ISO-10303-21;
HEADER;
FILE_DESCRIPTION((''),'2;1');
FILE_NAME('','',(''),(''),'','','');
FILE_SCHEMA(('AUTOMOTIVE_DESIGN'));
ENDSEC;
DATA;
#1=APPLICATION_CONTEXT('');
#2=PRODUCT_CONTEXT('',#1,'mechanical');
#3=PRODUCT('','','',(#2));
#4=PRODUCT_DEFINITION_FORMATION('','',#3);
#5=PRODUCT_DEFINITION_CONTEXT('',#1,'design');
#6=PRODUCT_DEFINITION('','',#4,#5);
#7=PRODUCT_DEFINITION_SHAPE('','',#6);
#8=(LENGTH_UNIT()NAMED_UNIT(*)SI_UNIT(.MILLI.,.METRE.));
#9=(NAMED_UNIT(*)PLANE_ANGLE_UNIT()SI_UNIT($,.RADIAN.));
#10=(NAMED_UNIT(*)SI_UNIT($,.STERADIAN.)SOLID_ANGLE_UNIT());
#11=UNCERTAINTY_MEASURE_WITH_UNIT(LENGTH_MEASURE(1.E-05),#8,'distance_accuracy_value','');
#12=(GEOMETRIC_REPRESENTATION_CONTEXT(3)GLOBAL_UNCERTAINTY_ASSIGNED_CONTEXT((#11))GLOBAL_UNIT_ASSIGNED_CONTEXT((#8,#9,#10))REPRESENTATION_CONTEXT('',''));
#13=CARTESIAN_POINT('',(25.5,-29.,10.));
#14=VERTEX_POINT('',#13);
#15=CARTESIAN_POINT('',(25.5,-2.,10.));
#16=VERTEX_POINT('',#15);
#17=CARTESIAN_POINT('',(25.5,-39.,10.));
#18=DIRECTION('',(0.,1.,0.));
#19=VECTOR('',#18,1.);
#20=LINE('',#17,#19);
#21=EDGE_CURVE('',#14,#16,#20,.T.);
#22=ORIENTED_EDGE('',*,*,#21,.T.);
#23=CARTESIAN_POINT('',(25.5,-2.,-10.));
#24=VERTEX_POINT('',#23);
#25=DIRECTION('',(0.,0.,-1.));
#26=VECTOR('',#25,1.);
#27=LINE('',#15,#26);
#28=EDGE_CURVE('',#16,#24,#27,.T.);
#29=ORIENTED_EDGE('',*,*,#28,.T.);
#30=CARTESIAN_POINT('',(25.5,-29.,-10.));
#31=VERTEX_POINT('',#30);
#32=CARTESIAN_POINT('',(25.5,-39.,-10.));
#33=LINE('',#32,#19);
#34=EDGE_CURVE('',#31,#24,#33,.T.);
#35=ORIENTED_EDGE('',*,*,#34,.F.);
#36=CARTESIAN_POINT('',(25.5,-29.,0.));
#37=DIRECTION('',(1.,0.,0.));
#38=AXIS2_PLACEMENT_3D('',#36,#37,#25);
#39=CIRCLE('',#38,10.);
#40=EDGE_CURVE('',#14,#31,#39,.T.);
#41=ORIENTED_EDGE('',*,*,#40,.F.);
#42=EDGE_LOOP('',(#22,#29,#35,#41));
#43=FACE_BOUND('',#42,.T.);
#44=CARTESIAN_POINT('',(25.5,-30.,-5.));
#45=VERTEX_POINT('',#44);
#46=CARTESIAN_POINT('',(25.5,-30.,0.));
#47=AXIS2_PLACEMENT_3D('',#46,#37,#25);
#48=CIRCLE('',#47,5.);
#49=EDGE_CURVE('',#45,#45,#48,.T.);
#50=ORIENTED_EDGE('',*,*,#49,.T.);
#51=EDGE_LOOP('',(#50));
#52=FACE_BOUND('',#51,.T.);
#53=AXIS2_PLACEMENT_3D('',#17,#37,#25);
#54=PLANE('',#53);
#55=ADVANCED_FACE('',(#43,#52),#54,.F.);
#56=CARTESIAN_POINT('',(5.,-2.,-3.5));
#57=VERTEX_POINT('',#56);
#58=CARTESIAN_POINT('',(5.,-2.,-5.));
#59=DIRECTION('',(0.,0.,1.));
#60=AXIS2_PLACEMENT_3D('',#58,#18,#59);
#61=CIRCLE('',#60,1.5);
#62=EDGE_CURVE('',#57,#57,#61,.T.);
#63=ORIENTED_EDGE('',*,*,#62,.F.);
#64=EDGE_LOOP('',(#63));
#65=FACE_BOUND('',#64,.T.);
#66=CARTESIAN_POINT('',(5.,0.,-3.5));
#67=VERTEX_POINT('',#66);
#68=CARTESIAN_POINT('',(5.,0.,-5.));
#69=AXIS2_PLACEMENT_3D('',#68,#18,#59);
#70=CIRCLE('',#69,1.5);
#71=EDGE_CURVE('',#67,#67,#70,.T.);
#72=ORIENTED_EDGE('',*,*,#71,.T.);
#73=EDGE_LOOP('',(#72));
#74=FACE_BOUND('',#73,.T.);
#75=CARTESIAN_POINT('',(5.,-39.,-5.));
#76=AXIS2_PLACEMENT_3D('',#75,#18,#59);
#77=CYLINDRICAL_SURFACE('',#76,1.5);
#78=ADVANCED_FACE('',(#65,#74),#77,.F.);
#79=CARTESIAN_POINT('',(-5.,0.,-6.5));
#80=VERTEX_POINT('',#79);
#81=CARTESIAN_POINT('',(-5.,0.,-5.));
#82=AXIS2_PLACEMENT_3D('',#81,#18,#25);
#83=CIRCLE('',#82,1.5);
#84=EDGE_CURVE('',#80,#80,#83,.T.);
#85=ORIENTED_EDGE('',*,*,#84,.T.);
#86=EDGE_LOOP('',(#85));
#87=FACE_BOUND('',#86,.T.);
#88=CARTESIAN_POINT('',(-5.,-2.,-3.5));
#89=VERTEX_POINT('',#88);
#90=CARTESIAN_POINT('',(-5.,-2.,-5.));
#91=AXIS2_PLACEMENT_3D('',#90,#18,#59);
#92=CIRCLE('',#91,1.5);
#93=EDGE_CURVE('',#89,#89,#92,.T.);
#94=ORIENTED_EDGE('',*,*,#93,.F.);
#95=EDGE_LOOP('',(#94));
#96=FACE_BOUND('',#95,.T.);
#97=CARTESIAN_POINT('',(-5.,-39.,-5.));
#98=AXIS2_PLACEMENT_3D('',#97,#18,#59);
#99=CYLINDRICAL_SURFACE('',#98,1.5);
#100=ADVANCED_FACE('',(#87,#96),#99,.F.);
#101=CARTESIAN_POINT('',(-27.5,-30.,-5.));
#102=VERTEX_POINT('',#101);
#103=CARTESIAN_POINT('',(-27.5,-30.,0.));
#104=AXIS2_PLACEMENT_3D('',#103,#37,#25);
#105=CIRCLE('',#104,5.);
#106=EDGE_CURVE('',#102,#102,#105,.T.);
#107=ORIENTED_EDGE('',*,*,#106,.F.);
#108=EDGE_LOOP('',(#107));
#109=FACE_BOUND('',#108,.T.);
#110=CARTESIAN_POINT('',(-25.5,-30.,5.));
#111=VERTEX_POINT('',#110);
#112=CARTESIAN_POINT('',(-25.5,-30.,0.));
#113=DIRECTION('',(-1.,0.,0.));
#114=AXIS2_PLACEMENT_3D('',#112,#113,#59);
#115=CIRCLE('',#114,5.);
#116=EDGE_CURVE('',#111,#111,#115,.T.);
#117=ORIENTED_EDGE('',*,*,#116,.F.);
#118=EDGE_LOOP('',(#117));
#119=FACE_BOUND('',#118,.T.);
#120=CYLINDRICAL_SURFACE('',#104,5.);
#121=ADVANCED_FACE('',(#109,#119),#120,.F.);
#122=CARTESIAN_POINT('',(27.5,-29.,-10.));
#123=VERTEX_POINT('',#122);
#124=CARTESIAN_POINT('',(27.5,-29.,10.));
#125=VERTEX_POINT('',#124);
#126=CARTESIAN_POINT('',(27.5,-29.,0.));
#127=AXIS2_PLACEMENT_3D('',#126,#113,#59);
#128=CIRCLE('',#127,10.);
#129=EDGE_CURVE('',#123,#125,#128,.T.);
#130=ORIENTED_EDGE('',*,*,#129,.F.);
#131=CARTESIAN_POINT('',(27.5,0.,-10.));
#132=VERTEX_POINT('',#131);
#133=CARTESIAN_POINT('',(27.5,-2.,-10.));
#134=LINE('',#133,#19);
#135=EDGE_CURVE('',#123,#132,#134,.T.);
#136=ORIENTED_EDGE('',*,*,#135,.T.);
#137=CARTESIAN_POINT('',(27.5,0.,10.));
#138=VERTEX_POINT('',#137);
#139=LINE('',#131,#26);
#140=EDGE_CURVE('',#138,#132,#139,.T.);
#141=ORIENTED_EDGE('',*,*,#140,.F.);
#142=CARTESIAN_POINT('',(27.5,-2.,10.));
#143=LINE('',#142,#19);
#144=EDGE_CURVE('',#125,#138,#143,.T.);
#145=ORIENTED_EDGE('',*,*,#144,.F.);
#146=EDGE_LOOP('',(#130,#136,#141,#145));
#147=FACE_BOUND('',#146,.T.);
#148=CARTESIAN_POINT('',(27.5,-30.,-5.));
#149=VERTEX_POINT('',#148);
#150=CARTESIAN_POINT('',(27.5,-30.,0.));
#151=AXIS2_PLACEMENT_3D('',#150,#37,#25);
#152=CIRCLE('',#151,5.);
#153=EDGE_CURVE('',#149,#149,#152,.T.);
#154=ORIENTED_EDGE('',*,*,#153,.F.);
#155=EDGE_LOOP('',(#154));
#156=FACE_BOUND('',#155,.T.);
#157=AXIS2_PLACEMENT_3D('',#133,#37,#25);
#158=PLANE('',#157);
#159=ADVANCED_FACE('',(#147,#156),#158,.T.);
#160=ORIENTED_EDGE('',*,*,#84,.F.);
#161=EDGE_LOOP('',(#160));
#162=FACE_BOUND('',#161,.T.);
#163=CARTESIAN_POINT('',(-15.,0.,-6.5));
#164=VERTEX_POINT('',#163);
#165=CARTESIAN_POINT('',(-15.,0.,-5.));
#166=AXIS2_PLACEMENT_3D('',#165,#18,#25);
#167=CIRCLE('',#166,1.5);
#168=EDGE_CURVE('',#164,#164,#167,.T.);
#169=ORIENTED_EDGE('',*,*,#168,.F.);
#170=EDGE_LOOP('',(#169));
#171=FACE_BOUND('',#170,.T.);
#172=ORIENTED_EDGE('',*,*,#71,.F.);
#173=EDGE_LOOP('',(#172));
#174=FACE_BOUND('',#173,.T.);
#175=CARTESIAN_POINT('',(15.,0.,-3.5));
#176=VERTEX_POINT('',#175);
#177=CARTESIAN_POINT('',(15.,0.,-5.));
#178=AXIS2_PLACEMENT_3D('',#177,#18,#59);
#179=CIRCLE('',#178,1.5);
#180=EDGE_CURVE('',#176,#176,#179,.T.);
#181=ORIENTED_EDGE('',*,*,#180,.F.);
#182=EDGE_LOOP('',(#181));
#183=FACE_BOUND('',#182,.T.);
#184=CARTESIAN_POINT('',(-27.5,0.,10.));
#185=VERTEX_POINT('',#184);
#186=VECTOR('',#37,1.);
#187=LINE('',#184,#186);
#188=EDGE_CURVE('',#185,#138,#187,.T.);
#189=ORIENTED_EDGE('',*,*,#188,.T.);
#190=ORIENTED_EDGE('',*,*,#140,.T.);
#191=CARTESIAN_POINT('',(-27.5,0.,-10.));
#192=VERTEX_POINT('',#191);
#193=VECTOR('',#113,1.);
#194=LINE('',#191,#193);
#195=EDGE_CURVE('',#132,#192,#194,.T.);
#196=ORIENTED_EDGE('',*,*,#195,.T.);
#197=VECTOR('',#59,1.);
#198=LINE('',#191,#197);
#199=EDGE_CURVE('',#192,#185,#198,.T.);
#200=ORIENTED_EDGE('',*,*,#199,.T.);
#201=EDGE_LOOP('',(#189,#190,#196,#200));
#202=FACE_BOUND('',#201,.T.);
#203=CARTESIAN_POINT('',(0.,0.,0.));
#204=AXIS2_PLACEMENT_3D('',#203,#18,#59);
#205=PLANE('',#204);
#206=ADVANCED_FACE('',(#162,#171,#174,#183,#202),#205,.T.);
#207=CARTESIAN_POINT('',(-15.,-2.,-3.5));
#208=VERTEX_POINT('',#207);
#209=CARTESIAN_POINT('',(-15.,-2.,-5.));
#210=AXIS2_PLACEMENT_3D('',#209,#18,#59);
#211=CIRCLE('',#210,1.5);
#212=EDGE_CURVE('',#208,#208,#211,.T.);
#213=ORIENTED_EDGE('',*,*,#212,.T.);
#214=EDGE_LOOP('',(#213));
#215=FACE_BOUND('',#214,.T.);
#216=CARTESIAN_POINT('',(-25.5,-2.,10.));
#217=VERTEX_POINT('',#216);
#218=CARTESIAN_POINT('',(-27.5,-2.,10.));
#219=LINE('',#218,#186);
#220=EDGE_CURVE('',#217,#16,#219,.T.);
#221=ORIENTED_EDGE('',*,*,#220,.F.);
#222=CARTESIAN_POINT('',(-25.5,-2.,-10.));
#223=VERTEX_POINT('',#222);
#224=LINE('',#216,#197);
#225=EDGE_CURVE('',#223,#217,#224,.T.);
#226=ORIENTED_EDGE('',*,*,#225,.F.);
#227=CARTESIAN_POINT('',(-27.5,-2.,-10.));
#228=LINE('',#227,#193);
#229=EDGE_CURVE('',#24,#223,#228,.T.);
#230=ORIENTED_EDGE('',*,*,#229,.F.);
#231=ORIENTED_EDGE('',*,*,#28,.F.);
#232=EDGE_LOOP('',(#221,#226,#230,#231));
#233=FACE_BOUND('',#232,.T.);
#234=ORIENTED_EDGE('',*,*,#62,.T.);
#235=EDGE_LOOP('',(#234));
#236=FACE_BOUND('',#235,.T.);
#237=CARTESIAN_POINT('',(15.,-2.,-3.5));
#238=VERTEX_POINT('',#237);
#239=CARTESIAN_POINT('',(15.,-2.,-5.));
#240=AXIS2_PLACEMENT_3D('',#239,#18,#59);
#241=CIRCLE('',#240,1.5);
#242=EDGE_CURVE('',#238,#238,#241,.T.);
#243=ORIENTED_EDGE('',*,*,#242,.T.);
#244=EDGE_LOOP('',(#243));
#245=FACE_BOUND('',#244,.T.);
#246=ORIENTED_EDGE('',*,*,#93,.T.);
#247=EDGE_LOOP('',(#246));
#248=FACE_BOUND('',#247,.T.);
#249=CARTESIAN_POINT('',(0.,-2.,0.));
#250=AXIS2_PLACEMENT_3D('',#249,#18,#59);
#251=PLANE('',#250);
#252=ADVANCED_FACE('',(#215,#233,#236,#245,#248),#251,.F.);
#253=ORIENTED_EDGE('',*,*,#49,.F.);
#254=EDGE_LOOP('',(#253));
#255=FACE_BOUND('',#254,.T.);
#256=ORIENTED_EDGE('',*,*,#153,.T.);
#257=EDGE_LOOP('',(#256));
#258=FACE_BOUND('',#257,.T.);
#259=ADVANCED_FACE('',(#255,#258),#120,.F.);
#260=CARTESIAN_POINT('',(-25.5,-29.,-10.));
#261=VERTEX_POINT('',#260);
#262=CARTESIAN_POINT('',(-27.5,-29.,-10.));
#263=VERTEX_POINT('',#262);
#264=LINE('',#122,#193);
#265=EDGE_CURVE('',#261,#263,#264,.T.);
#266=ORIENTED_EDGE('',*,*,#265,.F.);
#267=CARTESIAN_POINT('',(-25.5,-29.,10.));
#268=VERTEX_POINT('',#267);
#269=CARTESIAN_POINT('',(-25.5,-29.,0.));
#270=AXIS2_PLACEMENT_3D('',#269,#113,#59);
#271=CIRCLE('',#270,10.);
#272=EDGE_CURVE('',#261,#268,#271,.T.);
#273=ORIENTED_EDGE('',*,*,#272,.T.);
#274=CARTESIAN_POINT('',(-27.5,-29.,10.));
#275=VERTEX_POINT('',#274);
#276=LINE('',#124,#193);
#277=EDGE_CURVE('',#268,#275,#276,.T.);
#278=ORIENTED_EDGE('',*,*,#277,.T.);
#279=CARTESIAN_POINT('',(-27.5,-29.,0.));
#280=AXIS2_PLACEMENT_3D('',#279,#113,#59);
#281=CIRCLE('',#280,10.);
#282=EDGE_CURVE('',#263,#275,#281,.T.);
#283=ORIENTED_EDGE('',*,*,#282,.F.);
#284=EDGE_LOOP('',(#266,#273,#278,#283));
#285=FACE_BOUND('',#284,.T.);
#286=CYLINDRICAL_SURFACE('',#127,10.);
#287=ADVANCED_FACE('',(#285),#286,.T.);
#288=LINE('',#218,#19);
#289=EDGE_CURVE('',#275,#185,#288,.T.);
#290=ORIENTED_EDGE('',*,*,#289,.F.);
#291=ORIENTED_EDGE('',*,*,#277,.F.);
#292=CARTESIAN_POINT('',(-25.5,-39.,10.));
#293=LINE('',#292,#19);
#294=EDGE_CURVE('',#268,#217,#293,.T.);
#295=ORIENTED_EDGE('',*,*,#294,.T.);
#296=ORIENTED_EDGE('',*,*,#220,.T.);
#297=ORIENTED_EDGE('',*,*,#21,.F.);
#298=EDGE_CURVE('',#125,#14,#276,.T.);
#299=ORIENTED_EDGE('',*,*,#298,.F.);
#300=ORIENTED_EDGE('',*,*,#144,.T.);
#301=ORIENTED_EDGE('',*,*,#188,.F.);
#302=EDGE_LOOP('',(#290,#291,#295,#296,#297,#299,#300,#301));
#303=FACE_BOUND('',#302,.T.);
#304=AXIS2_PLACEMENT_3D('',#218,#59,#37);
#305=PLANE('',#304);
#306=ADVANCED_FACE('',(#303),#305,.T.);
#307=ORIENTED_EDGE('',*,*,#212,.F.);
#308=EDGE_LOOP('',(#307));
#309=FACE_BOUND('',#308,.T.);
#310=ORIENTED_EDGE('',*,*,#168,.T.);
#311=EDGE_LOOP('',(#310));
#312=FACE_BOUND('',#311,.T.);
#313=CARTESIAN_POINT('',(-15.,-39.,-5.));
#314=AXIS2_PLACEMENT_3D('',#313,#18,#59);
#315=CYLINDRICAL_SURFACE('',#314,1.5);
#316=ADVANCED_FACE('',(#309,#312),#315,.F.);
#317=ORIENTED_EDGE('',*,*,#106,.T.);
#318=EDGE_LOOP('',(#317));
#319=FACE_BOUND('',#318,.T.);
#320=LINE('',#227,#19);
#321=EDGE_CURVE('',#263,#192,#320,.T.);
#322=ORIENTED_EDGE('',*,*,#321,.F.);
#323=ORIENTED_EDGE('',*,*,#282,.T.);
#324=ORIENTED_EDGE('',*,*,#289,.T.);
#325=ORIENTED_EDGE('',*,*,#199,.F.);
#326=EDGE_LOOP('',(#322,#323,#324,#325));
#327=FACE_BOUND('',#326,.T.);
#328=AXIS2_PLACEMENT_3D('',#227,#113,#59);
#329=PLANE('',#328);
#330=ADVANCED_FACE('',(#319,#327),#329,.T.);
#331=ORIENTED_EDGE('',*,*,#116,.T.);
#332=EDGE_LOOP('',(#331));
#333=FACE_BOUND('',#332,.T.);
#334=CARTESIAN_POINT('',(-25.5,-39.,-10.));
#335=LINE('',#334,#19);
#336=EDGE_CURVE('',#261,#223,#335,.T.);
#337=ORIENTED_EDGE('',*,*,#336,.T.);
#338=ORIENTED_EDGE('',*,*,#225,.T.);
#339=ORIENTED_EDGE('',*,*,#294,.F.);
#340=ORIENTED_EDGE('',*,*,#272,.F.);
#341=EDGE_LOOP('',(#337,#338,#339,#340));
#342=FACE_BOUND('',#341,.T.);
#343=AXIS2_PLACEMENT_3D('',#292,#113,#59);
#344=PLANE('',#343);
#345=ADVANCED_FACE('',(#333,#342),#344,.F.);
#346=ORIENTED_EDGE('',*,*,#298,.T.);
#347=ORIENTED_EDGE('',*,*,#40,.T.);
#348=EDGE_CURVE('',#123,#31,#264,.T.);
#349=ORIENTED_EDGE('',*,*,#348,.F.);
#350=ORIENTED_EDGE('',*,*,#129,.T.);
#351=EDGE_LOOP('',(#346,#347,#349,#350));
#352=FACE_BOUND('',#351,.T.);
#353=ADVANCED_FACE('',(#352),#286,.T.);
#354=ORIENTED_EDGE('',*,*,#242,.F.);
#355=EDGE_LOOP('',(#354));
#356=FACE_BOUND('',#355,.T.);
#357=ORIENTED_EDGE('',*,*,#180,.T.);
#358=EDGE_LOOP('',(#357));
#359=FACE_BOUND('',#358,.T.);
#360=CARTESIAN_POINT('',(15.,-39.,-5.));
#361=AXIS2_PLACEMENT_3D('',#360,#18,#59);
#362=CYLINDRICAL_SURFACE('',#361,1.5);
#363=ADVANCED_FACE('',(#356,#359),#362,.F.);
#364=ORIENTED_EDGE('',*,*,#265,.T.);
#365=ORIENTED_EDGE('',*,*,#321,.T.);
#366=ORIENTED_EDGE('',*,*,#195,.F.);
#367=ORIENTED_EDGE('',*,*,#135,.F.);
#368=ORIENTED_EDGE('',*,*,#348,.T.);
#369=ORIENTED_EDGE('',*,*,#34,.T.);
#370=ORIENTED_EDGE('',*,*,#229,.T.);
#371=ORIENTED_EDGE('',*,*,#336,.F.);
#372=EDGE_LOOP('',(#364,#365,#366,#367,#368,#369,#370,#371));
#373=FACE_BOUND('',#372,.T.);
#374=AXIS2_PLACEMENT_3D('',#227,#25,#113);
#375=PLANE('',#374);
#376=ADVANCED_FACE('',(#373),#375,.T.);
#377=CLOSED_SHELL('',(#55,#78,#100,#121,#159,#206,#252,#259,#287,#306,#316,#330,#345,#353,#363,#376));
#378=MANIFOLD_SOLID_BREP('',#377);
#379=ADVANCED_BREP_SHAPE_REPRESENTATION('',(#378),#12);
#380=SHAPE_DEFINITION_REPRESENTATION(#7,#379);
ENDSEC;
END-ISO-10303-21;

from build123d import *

# Parameters (mm, degrees)
SKETCH1_W           = 55
SKETCH1_H           = 20
BOSS_EXTRUDE1_DEPTH = 2
SKETCH2_W           = 2
SKETCH2_H           = 20
BOSS_EXTRUDE2_DEPTH = 37
SKETCH3_R           = 5
CUT_EXTRUDE1_DEPTH  = 56
CUT_EXTRUDE2_DEPTH  = 56
SKETCH5_R           = 1.5
CUT_EXTRUDE3_DEPTH  = 40


with BuildPart() as part:
    # Sketch1 → Boss-Extrude1 (new body)
    with BuildSketch(Plane(origin=(0, 0, 0), x_dir=(1, 0, 0), z_dir=(0, 1, 0))):
        Rectangle(SKETCH1_W, SKETCH1_H)
    extrude(amount=-BOSS_EXTRUDE1_DEPTH)

    # Sketch2 → Boss-Extrude2 (add)
    with BuildSketch(Plane.XZ.offset(2)):
        with Locations((-26.5, 0)):
            Rectangle(SKETCH2_W, SKETCH2_H)
        with Locations((26.5, 0)):
            Rectangle(SKETCH2_W, SKETCH2_H)
    extrude(amount=BOSS_EXTRUDE2_DEPTH)

    # Sketch3 → Cut-Extrude1 (cut, through all)
    with BuildSketch(Plane(origin=(27.5, 0, 0), x_dir=(0, 0, -1), z_dir=(1, 0, 0))):
        with Locations((0, -30)):
            Circle(SKETCH3_R)
    extrude(amount=-CUT_EXTRUDE1_DEPTH, mode=Mode.SUBTRACT)

    # Sketch4 → Cut-Extrude2 (cut, through all)
    with BuildSketch(Plane.ZY.offset(27.5)):
        with BuildLine():
            ThreePointArc((0, -39), (-7.071067812, -36.071067812), (-10, -29))
            Line((-10, -29), (-10, -39))
            Line((-10, -39), (0, -39))
        make_face()
        with BuildLine():
            Line((10, -39), (10, -29))
            ThreePointArc((10, -29), (7.071067812, -36.071067812), (0, -39))
            Line((0, -39), (10, -39))
        make_face()
    extrude(amount=-CUT_EXTRUDE2_DEPTH, mode=Mode.SUBTRACT)

    # Sketch5 → Cut-Extrude3 (cut, through all)
    with BuildSketch(Plane(origin=(0, 0, 0), x_dir=(1, 0, 0), z_dir=(0, 1, 0))):
        with Locations((5, 5)):
            Circle(SKETCH5_R)
        with Locations((15, 5)):
            Circle(SKETCH5_R)
        with Locations((-15, 5)):
            Circle(SKETCH5_R)
        with Locations((-5, 5)):
            Circle(SKETCH5_R)
    extrude(amount=-CUT_EXTRUDE3_DEPTH, mode=Mode.SUBTRACT)


solid = part.part
